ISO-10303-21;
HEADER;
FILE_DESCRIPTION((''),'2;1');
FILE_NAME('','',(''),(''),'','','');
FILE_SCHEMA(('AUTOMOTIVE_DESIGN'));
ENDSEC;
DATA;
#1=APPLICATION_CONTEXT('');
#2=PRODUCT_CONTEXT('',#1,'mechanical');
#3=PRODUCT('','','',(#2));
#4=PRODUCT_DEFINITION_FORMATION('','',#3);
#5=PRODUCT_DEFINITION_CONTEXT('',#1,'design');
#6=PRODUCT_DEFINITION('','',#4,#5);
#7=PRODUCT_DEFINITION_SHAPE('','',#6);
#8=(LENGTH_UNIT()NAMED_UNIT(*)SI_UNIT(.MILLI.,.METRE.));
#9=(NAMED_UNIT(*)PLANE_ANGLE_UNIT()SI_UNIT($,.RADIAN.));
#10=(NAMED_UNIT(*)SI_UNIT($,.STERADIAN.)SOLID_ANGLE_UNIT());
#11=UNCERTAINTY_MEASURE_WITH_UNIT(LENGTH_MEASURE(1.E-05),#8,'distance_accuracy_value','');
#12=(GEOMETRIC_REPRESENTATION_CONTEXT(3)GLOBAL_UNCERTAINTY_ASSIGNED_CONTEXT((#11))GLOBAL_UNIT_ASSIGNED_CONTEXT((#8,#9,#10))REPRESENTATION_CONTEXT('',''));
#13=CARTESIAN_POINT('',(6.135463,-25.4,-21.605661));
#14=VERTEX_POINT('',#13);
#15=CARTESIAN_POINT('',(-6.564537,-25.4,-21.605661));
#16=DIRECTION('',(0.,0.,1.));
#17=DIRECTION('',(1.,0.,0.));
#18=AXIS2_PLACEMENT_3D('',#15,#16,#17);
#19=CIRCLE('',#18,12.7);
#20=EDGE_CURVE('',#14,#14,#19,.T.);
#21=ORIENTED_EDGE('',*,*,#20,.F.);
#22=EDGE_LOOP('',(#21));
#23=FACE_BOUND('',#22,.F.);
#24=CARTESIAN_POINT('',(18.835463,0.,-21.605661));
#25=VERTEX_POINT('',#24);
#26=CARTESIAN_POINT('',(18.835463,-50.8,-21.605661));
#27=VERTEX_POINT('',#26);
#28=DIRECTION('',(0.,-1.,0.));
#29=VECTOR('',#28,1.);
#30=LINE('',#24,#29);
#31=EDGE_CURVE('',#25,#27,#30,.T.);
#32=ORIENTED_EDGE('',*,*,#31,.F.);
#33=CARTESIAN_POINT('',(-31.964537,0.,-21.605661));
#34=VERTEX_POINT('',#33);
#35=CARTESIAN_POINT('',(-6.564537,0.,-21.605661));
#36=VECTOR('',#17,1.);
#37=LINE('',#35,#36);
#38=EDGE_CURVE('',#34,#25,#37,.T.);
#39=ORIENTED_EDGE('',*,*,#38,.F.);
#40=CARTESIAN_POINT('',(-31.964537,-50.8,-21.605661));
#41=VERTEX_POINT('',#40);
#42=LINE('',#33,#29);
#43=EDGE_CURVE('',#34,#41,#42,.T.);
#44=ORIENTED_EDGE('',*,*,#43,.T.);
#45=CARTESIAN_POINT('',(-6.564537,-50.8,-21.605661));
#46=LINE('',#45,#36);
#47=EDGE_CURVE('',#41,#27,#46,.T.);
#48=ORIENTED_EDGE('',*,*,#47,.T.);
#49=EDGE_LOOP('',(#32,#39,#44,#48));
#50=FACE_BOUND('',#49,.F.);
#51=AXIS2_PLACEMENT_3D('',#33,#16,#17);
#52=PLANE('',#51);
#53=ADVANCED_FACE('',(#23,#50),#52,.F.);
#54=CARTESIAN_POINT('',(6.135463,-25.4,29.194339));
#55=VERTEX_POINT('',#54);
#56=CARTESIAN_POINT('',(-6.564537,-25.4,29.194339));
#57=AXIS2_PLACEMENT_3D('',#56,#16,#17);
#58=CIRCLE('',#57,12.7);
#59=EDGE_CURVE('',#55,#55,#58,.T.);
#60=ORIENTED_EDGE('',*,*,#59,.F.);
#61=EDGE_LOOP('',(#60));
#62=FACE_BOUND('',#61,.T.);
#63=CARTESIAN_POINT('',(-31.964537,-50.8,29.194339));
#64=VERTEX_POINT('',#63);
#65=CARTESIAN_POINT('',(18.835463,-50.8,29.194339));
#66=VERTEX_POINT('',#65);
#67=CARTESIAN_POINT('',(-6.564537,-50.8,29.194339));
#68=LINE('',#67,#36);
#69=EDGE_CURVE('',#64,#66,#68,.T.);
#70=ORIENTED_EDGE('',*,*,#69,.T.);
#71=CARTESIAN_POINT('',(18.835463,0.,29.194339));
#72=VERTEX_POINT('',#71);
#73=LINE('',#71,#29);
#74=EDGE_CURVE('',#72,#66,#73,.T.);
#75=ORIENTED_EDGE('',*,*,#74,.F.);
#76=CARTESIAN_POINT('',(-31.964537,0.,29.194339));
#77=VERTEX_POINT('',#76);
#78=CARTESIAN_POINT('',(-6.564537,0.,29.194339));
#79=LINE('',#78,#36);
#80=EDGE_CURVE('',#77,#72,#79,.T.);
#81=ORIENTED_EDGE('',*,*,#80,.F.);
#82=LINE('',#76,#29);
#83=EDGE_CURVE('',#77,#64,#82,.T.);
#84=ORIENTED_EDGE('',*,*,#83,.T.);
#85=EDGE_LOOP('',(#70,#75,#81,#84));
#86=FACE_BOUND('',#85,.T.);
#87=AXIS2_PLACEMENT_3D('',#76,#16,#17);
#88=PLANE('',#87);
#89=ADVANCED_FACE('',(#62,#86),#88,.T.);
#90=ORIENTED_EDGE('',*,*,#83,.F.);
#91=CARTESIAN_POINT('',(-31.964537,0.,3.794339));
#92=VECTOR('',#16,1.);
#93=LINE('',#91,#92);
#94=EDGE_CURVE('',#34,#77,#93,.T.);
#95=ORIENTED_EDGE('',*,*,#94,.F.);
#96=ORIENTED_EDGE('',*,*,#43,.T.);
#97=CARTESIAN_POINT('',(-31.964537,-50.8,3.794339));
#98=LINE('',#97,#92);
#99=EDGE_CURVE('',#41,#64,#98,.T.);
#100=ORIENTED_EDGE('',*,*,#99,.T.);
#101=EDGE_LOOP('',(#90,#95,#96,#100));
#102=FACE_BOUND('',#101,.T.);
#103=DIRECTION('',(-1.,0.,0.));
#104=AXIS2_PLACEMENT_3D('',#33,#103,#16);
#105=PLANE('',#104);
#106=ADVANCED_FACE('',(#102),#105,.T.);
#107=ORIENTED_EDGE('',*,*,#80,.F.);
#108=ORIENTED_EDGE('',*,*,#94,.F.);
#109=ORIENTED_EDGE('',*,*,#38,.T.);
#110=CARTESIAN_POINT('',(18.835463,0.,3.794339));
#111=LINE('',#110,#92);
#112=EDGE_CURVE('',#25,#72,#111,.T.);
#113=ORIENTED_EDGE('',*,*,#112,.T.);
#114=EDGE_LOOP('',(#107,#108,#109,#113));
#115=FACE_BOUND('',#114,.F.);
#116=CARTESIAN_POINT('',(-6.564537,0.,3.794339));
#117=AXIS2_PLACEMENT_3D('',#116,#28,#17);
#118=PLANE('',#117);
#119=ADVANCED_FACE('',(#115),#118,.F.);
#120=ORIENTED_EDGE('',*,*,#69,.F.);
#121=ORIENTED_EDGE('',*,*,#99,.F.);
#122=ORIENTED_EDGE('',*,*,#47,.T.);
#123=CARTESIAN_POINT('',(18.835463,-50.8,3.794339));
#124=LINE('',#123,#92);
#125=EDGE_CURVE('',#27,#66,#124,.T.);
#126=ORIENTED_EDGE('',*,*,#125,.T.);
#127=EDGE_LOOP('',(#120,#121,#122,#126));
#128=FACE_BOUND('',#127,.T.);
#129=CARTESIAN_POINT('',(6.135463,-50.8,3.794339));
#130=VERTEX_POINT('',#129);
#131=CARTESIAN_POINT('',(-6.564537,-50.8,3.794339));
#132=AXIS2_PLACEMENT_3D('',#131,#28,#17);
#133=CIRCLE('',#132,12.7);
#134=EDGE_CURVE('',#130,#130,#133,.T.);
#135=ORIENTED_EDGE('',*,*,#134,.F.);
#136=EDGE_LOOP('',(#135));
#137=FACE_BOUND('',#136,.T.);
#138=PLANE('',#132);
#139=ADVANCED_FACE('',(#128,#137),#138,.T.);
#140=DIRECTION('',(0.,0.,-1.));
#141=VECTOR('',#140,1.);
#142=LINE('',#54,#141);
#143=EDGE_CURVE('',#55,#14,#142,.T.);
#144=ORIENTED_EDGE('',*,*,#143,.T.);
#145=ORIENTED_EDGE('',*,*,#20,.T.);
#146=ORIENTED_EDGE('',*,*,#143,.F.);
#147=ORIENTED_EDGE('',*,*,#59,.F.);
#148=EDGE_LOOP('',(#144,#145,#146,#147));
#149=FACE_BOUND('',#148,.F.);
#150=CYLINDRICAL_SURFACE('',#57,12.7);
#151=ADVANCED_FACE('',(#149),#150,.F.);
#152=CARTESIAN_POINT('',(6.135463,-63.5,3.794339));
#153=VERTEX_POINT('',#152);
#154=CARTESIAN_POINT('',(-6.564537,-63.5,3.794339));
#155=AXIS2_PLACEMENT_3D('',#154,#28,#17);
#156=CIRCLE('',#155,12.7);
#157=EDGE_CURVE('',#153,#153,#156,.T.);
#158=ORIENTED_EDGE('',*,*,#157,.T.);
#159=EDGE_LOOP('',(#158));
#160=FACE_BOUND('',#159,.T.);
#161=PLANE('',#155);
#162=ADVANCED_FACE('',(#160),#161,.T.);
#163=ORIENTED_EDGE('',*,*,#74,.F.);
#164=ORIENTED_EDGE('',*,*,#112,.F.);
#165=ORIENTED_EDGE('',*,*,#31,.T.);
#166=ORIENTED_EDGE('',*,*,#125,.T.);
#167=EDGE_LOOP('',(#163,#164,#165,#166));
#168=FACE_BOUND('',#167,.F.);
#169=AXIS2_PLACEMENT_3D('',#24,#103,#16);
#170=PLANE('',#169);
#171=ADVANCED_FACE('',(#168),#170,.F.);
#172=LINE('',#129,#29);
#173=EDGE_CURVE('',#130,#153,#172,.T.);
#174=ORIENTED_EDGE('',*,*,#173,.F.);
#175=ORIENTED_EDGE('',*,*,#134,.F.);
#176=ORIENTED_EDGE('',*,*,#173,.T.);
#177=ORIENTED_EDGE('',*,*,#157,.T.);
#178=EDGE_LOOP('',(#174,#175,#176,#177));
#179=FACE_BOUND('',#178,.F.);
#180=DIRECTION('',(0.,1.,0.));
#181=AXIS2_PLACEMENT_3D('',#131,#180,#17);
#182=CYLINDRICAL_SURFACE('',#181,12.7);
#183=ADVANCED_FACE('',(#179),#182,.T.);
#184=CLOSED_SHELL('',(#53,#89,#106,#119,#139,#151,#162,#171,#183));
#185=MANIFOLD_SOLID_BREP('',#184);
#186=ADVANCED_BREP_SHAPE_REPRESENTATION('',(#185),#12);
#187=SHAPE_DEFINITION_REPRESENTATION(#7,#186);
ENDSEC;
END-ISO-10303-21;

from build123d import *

# Parameters (mm, degrees)
F0_W     = 50.8
F0_H     = 50.8
F1_DEPTH = 50.8
F2_R     = 12.7
F3_DEPTH = 12.7
F4_R     = 12.7
F5_DEPTH = 50.8


with BuildPart() as f1:
    # F0 (on Front) → F1 (new body)
    with BuildSketch(Plane.XZ):
        with Locations((-6.564537, 3.794339)):
            Rectangle(F0_W, F0_H)
    extrude(amount=F1_DEPTH)

    # F2 (on face) → F3 (join)
    with BuildSketch(Plane.XZ.offset(50.8)):
        with Locations((-6.564537, 3.794339)):
            Circle(F2_R)
    extrude(amount=F3_DEPTH)

    # F4 (on face) → F5 (cut)
    with BuildSketch(Plane.XY.offset(29.194339)):
        with Locations((-6.564537, -25.4)):
            Circle(F4_R)
    extrude(amount=-F5_DEPTH, mode=Mode.SUBTRACT)


solid = f1.part
